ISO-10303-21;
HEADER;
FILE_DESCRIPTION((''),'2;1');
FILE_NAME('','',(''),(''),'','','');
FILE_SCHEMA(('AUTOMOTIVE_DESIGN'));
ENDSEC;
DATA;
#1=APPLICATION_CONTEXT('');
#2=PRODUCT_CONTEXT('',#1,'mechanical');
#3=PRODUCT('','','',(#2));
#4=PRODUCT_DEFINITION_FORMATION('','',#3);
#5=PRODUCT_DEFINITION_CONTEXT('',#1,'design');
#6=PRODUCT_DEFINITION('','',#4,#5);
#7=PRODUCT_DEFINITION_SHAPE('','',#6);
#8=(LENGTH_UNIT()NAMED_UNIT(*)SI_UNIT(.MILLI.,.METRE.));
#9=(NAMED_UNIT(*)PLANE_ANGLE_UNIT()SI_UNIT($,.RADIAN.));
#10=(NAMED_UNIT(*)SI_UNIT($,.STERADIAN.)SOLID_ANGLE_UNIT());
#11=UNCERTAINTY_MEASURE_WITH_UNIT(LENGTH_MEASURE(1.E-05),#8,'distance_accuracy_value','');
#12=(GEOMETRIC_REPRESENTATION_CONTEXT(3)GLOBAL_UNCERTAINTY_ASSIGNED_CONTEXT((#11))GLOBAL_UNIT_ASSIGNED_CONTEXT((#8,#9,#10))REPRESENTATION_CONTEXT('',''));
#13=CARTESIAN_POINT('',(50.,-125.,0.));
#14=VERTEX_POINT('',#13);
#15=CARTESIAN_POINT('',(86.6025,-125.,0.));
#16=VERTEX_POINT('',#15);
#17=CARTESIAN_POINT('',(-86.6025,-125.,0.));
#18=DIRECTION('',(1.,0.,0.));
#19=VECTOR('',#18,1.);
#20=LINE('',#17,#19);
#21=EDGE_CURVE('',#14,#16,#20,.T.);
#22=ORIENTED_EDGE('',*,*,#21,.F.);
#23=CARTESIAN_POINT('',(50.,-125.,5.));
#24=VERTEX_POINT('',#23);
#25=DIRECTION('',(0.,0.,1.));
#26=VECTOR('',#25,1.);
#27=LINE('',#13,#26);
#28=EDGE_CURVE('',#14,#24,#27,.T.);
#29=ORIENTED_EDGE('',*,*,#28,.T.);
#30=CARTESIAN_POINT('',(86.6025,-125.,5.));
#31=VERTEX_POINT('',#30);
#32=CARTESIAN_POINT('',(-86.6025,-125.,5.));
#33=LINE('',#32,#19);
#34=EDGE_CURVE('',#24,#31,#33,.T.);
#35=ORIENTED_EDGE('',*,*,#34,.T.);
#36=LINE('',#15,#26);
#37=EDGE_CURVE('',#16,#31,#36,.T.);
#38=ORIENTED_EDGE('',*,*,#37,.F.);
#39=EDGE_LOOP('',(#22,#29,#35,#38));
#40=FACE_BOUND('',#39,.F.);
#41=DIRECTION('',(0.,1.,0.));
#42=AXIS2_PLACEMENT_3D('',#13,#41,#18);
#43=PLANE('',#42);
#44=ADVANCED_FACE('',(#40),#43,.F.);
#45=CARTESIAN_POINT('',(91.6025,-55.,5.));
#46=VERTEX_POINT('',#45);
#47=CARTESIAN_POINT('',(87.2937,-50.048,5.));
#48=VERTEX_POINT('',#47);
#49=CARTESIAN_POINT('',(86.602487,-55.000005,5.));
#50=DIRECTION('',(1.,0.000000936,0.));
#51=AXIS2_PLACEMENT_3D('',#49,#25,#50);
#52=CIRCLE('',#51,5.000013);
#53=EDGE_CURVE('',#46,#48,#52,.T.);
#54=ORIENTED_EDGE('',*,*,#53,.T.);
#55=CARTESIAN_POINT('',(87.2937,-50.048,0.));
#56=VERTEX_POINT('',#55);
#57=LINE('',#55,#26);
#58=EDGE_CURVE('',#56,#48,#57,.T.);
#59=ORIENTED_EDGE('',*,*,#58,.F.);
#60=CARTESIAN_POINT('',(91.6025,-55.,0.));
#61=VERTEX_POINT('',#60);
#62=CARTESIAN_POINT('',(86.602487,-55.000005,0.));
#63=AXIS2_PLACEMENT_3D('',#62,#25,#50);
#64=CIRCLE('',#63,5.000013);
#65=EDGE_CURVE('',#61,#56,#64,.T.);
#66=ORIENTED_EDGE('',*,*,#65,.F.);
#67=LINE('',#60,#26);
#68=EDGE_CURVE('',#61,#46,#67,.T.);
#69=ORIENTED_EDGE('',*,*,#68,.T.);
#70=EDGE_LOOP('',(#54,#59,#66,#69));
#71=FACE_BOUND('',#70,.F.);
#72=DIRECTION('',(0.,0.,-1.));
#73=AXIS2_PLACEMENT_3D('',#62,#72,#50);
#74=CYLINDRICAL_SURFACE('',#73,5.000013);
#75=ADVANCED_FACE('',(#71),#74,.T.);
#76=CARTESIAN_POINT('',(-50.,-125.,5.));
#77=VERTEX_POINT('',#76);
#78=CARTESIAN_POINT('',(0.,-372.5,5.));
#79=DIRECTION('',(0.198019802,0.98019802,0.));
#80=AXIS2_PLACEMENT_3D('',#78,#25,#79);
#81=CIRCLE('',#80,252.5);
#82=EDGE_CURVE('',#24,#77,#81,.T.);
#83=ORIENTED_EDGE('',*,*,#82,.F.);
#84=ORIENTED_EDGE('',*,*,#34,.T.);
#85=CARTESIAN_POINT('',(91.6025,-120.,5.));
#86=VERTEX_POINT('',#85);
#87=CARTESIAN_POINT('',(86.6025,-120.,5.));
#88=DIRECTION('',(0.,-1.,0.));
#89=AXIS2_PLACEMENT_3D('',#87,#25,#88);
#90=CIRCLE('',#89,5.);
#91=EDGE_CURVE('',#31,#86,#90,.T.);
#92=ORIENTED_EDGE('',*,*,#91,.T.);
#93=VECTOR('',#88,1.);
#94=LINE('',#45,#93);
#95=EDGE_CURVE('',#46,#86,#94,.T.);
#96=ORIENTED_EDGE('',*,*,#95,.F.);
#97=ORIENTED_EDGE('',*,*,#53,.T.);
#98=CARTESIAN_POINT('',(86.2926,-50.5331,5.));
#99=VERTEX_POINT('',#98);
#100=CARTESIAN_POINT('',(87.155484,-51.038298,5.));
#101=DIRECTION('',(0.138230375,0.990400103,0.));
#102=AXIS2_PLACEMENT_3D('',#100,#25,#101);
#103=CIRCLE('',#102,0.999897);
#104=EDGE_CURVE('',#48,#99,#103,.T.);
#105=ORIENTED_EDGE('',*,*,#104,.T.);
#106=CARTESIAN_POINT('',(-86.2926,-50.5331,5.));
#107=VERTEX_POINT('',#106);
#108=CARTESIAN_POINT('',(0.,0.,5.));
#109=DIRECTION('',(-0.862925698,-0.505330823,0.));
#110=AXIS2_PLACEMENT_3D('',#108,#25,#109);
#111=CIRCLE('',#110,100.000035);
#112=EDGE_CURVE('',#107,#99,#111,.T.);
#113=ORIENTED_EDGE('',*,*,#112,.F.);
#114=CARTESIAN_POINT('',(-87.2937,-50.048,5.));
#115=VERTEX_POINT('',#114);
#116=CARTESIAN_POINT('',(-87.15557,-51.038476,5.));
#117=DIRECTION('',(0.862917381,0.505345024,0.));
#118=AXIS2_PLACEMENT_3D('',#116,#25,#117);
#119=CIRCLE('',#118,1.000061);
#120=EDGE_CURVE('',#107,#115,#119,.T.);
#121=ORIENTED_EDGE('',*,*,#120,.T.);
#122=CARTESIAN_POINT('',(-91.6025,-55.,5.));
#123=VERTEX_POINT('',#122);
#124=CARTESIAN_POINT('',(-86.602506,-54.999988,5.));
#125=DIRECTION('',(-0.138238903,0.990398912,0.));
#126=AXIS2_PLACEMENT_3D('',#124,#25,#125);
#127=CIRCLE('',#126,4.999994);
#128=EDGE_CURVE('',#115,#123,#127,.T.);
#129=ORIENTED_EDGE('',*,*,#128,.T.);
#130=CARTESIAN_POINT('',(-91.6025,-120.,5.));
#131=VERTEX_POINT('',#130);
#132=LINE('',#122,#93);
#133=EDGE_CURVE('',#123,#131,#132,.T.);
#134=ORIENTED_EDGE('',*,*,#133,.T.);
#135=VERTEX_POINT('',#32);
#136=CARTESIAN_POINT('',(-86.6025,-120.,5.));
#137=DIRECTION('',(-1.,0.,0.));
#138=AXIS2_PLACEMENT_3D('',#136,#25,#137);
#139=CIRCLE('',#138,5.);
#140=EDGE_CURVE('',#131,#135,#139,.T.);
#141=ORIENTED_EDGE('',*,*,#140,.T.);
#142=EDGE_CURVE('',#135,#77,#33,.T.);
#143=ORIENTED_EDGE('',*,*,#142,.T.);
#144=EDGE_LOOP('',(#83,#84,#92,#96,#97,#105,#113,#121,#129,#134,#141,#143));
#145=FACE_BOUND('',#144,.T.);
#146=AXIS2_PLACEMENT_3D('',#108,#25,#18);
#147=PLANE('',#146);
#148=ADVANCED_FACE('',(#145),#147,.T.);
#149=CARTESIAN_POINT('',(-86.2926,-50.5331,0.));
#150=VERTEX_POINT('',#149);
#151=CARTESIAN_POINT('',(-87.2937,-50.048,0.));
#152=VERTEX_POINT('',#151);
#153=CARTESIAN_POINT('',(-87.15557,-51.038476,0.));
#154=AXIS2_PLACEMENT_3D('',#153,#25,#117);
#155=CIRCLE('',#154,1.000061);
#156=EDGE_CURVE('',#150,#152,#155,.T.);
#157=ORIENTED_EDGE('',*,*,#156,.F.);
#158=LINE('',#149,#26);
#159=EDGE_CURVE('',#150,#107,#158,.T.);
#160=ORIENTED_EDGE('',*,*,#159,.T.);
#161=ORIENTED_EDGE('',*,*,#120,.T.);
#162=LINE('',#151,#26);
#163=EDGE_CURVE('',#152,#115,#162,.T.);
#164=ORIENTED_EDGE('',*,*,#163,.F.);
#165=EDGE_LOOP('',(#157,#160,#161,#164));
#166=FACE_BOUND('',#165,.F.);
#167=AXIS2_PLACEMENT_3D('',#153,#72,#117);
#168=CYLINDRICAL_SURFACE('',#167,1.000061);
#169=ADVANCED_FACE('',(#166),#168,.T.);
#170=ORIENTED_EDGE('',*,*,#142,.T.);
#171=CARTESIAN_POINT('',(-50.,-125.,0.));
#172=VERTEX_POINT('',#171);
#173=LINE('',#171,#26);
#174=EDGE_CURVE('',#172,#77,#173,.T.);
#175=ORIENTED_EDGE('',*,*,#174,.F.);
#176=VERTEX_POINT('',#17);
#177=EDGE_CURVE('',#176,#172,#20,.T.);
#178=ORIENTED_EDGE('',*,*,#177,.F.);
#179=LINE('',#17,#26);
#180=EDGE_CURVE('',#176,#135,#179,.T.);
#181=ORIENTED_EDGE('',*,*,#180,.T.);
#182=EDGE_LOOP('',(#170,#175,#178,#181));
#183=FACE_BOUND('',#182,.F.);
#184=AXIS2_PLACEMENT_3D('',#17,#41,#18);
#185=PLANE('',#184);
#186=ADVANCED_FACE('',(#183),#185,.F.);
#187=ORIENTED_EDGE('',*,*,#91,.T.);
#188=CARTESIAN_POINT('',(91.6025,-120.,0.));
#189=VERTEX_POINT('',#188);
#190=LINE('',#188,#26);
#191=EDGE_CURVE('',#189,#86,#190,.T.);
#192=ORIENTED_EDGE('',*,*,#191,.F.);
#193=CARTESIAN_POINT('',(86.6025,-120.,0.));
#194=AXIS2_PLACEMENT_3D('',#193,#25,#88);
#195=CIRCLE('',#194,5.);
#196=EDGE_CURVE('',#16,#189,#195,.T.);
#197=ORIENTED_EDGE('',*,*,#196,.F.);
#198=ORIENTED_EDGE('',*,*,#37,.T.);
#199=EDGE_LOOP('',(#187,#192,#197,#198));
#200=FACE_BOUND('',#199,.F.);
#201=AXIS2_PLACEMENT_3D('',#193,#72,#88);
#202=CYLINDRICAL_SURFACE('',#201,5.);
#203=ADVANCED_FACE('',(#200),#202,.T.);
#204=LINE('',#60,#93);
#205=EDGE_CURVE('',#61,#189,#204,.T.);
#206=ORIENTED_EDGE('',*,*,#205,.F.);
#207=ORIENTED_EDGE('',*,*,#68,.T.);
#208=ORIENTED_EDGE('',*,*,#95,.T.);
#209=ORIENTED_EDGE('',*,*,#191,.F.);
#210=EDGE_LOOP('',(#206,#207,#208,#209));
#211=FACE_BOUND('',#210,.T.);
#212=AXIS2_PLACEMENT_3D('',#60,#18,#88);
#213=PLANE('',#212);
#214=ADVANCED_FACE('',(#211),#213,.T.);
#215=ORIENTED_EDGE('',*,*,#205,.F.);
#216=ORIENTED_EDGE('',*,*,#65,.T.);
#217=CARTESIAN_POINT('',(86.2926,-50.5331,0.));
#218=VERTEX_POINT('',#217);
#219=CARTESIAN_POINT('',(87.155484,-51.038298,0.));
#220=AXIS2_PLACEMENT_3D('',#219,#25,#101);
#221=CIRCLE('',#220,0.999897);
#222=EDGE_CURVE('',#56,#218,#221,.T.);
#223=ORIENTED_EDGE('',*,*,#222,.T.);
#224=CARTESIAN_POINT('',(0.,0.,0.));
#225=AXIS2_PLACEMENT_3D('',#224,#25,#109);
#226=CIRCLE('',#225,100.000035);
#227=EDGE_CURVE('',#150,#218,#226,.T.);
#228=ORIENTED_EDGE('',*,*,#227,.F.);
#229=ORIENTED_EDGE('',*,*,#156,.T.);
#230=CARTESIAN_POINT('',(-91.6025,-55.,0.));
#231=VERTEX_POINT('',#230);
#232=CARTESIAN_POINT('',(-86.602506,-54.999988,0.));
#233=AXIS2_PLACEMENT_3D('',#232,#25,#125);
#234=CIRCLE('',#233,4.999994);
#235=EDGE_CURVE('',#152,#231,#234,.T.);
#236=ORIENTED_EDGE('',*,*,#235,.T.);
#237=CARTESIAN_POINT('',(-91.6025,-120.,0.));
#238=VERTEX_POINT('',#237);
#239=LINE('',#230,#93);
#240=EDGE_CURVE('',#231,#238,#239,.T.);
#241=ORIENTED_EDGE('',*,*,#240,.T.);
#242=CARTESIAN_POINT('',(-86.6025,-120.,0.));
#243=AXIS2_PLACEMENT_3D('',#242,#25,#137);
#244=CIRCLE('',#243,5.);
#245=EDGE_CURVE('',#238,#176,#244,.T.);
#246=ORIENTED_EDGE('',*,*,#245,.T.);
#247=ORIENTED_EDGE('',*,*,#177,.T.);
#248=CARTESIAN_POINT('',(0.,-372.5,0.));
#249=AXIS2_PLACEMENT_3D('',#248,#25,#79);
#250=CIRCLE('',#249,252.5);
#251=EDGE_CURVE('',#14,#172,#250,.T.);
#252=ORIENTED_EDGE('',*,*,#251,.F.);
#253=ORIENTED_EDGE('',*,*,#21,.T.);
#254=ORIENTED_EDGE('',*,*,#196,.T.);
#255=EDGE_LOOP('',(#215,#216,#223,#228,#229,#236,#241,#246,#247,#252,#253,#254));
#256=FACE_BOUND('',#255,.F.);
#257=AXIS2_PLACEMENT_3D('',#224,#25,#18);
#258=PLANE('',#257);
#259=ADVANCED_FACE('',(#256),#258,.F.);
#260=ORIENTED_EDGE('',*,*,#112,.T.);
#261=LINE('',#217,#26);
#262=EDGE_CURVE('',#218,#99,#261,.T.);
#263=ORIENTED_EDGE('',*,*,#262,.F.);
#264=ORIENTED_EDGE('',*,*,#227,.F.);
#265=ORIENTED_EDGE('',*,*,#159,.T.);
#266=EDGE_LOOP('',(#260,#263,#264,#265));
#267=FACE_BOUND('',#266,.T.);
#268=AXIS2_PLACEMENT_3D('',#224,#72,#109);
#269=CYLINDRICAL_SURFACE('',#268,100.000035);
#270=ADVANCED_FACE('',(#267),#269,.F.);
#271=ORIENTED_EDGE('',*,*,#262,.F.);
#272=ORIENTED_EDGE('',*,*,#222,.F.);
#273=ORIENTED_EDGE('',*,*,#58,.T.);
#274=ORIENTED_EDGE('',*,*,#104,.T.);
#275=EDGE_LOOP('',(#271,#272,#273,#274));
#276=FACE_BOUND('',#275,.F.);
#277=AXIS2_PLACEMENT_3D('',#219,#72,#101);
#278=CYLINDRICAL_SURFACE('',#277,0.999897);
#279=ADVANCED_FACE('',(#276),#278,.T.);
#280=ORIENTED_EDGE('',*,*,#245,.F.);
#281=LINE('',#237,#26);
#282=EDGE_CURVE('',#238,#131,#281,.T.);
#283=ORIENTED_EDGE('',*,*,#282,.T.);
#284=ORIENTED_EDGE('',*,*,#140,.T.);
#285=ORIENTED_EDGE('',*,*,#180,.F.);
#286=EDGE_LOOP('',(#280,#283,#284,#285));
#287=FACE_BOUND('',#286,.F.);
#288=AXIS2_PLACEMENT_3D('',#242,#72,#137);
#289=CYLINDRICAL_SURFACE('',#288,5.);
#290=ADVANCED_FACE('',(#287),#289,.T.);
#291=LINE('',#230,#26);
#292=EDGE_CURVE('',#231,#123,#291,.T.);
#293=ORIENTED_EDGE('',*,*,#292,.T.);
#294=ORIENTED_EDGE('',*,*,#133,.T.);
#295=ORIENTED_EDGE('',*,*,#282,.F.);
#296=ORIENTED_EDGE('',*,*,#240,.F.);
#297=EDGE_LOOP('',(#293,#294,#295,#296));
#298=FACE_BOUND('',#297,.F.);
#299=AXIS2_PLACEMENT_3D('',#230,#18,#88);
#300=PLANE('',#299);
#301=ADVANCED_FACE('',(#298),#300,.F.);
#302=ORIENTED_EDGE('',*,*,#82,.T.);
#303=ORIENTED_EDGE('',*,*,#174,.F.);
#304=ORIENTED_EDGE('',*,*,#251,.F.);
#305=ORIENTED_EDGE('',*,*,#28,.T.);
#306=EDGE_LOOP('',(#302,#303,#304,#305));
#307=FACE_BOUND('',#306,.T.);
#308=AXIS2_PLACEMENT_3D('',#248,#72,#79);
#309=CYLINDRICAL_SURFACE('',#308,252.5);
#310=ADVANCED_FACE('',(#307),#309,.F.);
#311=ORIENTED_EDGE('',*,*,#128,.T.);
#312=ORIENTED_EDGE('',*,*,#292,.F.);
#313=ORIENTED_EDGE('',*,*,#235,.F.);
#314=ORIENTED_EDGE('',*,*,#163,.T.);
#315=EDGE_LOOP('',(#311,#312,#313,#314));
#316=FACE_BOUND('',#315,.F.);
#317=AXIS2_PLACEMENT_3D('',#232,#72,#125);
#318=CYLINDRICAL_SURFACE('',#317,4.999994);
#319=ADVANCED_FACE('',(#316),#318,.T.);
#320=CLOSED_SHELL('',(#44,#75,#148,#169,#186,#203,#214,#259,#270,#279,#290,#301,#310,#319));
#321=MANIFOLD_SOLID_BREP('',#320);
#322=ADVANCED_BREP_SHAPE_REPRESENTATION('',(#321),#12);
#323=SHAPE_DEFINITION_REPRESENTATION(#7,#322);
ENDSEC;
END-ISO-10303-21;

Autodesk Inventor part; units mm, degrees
ref_plane "YZ Plane" through (0, 0, 0) normal (1, 0, 0) x (0, 1, 0)
ref_plane "XZ Plane" through (0, 0, 0) normal (0, 1, 0) x (-1, 0, 0)
ref_plane "XY Plane" through (0, 0, 0) normal (0, 0, 1) x (1, 0, 0)
sketch "Skizze1" plane through (0, 0, 0) normal (0, 0, 1) x (1, 0, 0)
  circle A0 centre (0, 0) radius 100 construction
  arc A1 (-86.2926, -50.5331) -> (86.2926, -50.5331) centre (0, 0) ccw
  line L0 (-86.6025, -50) -> (0, 0) construction
  line L1 (0, 0) -> (86.6025, -50) construction
  line L2 (0, -467) -> (0, 194.5) construction
  line L3 (-86.6025, -125) -> (86.6025, -125)
  line L4 (-86.6025, -50) -> (-86.6025, -50)
  line L5 (-91.6025, -55) -> (-91.6025, -120)
  line L6 (86.6025, -50) -> (86.6025, -50)
  line L7 (91.6025, -55) -> (91.6025, -120)
  arc A2 (-87.2937, -50.048) -> (-91.6025, -55) centre (-86.6025, -55) ccw
  arc A3 (91.6025, -55) -> (87.2937, -50.048) centre (86.6025, -55) ccw
  arc A4 (-86.2926, -50.5331) -> (-87.2937, -50.048) centre (-87.1555, -51.0384) ccw
  arc A5 (87.2937, -50.048) -> (86.2926, -50.5331) centre (87.1555, -51.0384) ccw
  arc A6 (-91.6025, -120) -> (-86.6025, -125) centre (-86.6025, -120) ccw
  arc A7 (86.6025, -125) -> (91.6025, -120) centre (86.6025, -120) ccw
  arc A8 (50, -125) -> (-50, -125) centre (0, -372.5) ccw
  point P0 (0, -100)
  point P1 (-91.6025, -50)
  point P2 (0, -125)
  point P3 (0, -120)
  dimension "d0" = 200
  dimension "d1" = 60
  dimension "d2" = 5
  dimension "d3" = 25
  dimension "d4" = 5
  dimension "d5" = 1
  dimension "d6" = 5
  dimension "d7" = 50
  dimension "d8" = 50
  dimension "d9" = 5
extrude "Extrusion1" add sketch "Skizze1" along normal blind 5 contours A1 A5 A3 L7 A7 L3 A8 A6 L5 A2 A4
properties part number "Montage_Fuss"
